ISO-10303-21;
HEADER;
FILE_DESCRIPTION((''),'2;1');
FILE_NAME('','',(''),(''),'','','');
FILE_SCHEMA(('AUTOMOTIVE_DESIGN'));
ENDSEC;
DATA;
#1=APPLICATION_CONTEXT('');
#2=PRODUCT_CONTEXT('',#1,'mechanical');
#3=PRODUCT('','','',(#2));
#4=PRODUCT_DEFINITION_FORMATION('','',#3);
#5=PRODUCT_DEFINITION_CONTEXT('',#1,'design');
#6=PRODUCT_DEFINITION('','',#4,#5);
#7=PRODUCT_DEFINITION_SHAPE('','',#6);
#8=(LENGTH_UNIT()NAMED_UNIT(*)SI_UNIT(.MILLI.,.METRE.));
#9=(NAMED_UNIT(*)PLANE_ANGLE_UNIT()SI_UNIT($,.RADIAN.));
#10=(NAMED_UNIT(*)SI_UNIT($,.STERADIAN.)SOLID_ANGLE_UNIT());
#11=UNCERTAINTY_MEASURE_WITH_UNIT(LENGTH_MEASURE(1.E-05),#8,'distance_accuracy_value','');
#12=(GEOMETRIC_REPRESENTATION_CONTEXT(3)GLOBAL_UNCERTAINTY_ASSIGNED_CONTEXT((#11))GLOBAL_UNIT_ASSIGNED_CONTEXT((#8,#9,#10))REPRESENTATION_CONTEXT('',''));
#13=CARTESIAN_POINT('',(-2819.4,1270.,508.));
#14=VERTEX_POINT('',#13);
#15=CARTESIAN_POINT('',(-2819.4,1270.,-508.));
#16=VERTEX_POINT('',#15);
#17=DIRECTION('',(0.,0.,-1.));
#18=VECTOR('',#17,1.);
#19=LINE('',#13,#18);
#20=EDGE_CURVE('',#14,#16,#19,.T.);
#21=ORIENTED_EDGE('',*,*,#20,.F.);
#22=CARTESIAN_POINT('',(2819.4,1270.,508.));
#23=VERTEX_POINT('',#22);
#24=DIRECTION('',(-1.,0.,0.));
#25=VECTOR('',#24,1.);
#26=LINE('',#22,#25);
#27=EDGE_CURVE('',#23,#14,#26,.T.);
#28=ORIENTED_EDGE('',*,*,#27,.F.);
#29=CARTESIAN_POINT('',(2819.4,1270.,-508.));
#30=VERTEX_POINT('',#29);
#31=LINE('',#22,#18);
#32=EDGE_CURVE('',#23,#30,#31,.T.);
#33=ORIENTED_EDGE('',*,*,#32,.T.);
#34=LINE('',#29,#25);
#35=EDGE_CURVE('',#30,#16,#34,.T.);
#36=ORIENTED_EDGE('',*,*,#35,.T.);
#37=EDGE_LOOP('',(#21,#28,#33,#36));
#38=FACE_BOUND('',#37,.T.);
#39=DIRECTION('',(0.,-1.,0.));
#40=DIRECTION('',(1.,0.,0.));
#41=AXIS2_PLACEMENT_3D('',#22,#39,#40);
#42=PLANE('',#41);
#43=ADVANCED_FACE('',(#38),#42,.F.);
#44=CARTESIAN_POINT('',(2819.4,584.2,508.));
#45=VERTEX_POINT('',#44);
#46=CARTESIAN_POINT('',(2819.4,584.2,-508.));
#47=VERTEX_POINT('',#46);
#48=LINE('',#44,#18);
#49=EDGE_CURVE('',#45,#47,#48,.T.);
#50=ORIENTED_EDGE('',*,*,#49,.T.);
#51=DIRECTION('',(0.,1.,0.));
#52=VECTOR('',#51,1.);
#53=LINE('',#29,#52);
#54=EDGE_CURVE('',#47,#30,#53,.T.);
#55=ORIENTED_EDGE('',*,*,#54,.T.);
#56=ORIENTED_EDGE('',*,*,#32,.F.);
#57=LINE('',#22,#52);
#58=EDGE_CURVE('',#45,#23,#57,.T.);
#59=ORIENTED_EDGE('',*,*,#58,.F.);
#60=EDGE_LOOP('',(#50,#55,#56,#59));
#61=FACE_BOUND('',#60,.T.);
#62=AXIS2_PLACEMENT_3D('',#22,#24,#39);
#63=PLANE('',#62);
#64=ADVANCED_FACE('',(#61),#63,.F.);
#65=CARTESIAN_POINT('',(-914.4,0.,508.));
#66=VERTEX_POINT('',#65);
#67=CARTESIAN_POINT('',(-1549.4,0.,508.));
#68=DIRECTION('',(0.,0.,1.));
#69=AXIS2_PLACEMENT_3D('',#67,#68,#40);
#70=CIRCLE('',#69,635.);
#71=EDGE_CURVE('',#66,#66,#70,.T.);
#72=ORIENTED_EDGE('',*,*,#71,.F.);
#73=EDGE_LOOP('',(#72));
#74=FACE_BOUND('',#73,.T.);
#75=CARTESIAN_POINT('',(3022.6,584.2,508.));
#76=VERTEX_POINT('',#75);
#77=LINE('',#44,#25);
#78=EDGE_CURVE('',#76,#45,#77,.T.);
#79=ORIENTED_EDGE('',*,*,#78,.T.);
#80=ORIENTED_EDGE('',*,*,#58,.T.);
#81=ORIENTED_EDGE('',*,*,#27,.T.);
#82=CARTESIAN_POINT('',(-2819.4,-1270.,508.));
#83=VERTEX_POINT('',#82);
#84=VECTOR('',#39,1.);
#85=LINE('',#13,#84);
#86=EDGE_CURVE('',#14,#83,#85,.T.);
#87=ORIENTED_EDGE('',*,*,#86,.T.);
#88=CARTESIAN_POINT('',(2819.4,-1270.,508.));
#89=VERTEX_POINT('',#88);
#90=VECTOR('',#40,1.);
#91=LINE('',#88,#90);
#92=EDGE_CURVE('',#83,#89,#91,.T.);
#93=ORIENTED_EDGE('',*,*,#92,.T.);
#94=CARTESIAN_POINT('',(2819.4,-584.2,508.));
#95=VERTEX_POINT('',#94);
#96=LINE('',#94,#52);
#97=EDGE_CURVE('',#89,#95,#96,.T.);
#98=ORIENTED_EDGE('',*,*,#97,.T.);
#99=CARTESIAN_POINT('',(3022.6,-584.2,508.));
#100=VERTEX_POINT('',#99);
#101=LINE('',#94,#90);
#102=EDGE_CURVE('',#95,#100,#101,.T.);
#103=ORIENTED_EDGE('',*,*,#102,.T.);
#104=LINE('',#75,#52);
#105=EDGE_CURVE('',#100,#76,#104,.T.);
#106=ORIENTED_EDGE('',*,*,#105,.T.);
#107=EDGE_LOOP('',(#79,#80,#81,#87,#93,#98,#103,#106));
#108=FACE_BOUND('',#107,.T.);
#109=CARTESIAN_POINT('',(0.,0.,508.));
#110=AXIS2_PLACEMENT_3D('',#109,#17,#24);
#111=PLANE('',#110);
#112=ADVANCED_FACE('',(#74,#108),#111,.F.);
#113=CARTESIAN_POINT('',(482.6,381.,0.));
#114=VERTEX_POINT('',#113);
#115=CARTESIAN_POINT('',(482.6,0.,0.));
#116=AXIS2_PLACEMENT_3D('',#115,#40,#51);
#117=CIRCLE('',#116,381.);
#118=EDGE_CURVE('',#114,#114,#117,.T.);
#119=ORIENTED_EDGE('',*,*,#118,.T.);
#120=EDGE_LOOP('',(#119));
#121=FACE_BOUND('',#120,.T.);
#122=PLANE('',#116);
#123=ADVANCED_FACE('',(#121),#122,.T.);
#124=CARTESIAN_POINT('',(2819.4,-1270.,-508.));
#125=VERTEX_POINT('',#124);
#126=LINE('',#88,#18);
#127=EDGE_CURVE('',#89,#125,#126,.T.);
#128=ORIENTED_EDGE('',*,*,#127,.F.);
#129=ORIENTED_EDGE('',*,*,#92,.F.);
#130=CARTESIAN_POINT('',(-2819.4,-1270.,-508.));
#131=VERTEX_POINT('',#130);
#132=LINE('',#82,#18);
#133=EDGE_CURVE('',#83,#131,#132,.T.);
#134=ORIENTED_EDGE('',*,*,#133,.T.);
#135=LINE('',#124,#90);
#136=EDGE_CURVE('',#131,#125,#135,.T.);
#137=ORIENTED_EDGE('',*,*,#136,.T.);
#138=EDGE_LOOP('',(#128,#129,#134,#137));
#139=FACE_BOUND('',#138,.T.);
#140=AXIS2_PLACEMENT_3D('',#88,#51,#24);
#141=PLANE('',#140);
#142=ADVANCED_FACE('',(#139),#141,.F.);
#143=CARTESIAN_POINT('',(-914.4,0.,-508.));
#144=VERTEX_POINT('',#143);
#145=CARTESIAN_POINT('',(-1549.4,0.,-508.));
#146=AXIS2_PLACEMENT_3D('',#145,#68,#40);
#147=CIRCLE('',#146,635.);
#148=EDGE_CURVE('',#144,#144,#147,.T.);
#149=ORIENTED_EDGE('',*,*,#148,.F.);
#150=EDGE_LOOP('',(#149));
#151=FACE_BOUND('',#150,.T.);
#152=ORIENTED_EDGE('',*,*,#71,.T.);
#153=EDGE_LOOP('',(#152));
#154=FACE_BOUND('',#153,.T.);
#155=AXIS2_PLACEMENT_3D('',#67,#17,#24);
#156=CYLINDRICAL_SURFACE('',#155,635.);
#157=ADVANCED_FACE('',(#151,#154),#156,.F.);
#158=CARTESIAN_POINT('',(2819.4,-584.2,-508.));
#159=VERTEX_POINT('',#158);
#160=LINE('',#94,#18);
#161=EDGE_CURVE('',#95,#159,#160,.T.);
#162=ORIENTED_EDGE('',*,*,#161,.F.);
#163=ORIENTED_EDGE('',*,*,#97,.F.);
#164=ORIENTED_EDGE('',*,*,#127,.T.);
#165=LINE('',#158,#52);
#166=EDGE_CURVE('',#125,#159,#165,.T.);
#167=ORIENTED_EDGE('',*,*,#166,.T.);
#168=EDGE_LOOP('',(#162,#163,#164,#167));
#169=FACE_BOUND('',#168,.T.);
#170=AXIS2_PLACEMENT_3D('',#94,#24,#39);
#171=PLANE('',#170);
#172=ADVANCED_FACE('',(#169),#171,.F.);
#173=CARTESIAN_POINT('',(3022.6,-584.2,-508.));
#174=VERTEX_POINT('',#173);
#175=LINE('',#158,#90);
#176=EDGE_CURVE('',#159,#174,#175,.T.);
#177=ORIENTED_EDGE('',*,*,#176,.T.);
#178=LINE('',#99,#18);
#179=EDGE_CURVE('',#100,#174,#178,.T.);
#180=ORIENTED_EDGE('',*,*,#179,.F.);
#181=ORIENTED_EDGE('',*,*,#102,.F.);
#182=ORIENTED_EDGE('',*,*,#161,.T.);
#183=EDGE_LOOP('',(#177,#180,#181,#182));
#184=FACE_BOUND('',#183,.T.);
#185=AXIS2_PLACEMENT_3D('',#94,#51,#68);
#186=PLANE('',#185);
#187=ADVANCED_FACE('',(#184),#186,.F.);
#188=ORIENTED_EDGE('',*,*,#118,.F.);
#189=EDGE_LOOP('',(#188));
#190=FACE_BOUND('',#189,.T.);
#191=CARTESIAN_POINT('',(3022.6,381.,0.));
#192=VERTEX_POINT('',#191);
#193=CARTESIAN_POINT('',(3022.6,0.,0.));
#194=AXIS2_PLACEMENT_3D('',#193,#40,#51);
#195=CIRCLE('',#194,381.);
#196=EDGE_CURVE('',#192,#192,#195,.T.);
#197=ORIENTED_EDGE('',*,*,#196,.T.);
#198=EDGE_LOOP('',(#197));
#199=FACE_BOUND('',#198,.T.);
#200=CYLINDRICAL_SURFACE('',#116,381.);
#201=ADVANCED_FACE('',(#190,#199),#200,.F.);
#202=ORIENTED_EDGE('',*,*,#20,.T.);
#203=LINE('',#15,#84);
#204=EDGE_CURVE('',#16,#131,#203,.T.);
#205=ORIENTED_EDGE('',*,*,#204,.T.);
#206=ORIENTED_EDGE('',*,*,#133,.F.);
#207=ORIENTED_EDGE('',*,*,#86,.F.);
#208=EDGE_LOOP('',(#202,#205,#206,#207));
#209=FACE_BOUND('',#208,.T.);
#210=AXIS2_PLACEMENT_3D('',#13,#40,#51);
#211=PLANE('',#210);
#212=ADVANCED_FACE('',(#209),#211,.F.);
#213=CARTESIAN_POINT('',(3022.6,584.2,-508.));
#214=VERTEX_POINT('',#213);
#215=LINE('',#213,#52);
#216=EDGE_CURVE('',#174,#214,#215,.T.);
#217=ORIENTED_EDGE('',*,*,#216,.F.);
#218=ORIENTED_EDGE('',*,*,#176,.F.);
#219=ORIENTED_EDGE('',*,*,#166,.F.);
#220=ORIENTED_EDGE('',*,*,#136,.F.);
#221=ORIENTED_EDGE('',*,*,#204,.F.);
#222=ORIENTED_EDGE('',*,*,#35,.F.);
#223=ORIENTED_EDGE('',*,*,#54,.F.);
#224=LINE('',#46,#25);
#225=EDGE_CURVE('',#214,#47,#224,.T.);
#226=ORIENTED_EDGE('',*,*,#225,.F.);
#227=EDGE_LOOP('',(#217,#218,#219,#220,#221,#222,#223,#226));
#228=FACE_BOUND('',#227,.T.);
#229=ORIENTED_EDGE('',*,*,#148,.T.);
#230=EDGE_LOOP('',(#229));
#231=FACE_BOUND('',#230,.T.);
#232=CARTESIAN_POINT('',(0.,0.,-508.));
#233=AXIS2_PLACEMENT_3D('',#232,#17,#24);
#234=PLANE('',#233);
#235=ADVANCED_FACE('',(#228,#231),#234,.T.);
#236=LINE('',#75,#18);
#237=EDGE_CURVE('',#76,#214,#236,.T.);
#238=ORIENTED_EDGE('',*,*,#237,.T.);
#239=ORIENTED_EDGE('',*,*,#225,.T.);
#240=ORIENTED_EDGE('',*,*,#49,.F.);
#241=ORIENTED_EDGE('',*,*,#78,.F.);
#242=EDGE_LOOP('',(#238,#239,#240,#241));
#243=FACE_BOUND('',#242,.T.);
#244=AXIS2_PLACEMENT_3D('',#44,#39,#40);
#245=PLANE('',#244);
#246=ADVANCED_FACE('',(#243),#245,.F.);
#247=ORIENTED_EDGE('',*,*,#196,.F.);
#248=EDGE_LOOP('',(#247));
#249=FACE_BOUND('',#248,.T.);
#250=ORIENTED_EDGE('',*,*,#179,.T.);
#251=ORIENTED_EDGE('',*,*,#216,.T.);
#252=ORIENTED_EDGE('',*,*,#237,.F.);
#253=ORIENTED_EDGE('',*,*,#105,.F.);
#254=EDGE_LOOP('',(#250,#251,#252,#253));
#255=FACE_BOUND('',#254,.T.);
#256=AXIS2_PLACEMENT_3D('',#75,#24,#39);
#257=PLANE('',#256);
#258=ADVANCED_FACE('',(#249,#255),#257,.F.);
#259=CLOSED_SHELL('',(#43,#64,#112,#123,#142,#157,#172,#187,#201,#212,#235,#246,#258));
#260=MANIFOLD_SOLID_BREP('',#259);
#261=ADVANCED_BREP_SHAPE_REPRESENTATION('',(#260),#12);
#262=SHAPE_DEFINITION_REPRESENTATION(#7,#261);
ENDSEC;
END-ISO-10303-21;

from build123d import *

# Parameters (mm, degrees)
SKETCH1_R           = 635
BOSS_EXTRUDE1_DEPTH = 508
SKETCH2_R           = 381
CUT_EXTRUDE1_DEPTH  = 2540


with BuildPart() as part:
    # Sketch1 → Boss-Extrude1 (new body, symmetric)
    with BuildSketch(Plane.XY):
        Polygon((2819.4, -584.2), (2819.4, -1270), (-2819.4, -1270), (-2819.4, 1270), (2819.4, 1270), (2819.4, 584.2), (3022.6, 584.2), (3022.6, -584.2), align=None)
        with Locations((-1549.4, 0)):
            Circle(SKETCH1_R, mode=Mode.SUBTRACT)
    extrude(amount=BOSS_EXTRUDE1_DEPTH, both=True)

    # Sketch2 → Cut-Extrude1 (cut)
    with BuildSketch(Plane(origin=(3022.6, 0, 0), x_dir=(0, 0, -1), z_dir=(1, 0, 0))):
        Circle(SKETCH2_R)
    extrude(amount=-CUT_EXTRUDE1_DEPTH, mode=Mode.SUBTRACT)


solid = part.part
